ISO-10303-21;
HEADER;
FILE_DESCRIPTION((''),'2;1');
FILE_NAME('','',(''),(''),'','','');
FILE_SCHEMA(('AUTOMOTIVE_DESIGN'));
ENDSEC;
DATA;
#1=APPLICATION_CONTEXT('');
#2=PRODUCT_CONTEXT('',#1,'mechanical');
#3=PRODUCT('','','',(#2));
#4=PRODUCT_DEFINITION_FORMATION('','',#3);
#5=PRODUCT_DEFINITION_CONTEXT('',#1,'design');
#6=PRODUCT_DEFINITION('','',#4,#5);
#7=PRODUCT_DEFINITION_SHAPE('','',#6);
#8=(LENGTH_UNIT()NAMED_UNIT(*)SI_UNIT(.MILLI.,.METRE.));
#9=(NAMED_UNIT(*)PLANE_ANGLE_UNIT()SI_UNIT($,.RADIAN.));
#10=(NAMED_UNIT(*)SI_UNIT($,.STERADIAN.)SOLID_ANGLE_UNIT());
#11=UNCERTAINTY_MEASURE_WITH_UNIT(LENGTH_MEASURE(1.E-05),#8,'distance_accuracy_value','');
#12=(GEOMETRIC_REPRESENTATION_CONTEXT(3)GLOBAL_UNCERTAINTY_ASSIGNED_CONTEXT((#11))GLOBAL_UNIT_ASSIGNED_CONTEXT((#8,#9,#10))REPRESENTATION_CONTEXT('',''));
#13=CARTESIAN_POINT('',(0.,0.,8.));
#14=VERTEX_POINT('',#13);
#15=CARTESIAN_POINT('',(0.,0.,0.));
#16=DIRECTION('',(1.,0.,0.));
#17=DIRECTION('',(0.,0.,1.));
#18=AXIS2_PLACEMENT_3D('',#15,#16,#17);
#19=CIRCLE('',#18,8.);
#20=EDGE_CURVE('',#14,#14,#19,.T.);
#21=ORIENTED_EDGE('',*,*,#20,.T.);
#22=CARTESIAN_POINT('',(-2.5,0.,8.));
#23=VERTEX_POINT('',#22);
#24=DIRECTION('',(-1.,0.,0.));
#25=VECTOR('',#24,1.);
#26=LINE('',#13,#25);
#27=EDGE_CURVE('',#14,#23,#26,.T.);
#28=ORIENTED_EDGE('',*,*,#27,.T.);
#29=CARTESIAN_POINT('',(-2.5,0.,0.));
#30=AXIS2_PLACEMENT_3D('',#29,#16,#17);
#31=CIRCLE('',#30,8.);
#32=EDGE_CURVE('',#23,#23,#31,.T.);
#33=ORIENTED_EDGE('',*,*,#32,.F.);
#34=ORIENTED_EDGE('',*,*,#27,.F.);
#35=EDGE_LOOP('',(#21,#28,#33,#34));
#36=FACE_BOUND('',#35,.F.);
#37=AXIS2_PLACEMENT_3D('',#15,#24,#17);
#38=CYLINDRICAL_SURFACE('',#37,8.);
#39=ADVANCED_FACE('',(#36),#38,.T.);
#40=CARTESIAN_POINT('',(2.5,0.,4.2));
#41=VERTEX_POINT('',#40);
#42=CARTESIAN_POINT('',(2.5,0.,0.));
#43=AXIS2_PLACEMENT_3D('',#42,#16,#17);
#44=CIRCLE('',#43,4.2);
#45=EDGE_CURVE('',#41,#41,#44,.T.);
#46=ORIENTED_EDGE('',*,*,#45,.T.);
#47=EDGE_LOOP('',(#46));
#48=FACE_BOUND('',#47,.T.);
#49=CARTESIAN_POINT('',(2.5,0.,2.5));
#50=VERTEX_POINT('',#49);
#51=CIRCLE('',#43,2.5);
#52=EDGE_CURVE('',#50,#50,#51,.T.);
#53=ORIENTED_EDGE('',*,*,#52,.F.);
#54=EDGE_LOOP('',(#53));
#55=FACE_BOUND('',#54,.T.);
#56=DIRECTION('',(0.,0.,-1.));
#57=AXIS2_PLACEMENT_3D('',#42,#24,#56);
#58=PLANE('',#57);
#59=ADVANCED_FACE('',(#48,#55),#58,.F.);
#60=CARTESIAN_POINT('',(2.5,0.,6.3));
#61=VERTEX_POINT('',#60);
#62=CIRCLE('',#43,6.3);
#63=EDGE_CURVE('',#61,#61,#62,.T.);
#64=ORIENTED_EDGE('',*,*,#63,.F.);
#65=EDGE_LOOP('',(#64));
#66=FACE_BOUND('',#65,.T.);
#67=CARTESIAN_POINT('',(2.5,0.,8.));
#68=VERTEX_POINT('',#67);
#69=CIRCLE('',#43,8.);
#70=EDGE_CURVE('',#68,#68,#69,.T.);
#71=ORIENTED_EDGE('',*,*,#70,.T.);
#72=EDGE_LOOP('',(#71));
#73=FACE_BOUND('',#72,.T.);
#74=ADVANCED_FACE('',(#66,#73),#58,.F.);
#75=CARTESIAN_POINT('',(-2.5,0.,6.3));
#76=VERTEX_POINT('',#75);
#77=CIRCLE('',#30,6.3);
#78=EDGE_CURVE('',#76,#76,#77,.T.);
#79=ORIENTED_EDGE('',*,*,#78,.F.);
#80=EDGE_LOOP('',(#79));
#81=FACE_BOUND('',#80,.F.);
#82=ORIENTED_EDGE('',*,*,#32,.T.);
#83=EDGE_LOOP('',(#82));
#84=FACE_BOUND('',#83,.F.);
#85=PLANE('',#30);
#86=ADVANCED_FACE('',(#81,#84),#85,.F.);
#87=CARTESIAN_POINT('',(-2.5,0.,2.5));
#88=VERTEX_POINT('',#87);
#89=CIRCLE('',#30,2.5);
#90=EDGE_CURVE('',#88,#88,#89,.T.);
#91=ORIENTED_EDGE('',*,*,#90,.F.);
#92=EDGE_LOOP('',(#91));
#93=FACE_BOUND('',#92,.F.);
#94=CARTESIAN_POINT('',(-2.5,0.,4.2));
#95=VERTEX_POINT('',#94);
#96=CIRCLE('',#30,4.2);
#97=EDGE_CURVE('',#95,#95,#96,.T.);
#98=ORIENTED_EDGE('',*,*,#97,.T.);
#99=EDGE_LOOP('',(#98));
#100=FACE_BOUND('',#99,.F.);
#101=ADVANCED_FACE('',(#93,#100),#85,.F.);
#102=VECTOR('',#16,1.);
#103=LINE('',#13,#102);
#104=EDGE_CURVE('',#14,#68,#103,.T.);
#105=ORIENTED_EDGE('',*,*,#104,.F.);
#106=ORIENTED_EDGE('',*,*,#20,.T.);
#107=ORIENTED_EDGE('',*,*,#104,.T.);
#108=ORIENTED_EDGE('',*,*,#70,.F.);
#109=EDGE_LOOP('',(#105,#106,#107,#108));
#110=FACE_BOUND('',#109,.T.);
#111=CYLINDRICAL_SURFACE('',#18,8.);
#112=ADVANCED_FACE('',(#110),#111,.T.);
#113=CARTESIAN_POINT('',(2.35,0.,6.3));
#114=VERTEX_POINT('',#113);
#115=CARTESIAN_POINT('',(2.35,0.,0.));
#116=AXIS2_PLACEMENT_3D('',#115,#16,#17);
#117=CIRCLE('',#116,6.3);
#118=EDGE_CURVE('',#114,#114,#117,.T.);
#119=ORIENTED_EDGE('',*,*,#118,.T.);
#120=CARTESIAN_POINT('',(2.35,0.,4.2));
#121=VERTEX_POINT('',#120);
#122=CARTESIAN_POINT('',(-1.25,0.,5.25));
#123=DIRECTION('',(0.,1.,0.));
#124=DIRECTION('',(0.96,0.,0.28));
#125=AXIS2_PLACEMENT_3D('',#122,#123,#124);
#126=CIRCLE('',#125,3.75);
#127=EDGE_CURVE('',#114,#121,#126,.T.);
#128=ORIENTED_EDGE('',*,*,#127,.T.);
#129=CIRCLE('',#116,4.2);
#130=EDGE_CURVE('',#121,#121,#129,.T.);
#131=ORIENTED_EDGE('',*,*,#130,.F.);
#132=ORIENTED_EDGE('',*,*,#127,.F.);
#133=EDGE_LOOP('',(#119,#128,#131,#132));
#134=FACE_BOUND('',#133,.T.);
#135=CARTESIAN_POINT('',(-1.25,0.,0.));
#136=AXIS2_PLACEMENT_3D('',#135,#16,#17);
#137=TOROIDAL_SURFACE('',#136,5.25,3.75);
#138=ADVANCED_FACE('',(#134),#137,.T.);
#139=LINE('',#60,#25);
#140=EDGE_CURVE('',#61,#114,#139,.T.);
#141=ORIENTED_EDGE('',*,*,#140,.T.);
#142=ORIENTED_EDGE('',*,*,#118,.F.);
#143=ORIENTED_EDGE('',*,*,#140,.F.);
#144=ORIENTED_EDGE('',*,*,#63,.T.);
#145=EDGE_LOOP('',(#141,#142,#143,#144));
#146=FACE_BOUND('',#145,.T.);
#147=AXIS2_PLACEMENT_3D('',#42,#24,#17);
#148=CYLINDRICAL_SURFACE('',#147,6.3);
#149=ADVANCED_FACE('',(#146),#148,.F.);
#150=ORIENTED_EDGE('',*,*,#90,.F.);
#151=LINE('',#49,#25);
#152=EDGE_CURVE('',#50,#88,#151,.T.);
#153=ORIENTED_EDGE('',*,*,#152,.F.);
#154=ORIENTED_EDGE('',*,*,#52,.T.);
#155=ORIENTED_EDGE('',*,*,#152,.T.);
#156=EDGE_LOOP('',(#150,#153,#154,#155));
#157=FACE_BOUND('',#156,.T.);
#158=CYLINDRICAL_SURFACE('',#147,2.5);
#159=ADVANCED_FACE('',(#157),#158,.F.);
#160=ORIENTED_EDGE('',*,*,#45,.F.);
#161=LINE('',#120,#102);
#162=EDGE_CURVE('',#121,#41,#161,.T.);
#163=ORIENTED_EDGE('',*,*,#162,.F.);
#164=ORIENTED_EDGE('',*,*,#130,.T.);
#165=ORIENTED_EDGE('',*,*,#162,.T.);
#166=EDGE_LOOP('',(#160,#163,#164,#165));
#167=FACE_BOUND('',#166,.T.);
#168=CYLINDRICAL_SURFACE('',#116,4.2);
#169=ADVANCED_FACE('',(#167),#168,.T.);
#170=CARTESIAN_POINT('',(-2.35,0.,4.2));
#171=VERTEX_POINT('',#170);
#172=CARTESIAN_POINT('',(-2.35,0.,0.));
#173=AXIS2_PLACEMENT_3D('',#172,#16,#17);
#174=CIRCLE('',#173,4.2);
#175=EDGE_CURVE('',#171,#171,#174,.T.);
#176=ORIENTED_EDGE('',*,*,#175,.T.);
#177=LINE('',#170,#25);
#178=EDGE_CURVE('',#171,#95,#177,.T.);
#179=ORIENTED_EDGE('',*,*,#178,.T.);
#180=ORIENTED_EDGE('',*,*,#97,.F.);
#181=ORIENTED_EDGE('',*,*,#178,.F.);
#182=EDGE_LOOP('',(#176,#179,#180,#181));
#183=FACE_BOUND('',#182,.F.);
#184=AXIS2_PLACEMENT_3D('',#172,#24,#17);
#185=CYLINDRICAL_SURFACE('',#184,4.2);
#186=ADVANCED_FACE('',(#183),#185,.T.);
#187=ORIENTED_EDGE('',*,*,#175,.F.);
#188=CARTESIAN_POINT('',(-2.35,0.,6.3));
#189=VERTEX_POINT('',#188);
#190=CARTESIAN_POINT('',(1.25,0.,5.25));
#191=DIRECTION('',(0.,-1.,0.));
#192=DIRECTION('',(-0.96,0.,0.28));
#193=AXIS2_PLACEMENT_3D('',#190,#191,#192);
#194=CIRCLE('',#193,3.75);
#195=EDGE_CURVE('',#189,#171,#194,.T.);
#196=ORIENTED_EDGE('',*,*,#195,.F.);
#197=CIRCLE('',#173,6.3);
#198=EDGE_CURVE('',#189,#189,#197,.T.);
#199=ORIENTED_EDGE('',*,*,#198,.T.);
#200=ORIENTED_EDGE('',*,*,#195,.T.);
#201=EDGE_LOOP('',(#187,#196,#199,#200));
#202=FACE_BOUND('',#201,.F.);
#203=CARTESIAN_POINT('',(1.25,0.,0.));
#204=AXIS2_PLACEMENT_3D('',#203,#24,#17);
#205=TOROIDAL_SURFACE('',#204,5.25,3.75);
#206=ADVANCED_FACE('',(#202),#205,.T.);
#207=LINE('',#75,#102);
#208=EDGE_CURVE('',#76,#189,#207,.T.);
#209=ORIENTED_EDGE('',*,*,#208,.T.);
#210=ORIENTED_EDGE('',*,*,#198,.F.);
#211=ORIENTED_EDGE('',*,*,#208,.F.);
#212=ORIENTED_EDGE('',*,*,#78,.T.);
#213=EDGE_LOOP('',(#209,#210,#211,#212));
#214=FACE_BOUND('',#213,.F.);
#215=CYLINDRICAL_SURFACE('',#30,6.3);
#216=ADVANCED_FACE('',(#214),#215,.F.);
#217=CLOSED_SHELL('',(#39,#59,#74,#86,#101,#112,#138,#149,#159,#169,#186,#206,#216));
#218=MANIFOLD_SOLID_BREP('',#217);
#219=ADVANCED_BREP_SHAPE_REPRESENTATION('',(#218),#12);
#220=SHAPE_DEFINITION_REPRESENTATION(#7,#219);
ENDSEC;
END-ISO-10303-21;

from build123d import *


with BuildPart() as f1:
    # F0 (on Front) → F1 (revolve)
    with BuildSketch(Plane.XZ):
        with BuildLine():
            Line((-2.5, 2.5), (0, 2.5))
            Line((0, 2.5), (0, 8))
            Line((0, 8), (-2.5, 8))
            Line((-2.5, 8), (-2.5, 6.3))
            Line((-2.5, 6.3), (-2.35, 6.3))
            ThreePointArc((-2.35, 6.3), (-2.5, 5.25), (-2.35, 4.2))
            Line((-2.35, 4.2), (-2.5, 4.2))
            Line((-2.5, 4.2), (-2.5, 2.5))
        make_face()
    revolve(axis=Axis((4.185853, 0, 0), (1, 0, 0)))

    # F2: F1 across plane


with BuildPart() as f1_1:
    add(f1.part)
    add(f1.part.mirror(Plane.YZ))


solid = f1_1.part
